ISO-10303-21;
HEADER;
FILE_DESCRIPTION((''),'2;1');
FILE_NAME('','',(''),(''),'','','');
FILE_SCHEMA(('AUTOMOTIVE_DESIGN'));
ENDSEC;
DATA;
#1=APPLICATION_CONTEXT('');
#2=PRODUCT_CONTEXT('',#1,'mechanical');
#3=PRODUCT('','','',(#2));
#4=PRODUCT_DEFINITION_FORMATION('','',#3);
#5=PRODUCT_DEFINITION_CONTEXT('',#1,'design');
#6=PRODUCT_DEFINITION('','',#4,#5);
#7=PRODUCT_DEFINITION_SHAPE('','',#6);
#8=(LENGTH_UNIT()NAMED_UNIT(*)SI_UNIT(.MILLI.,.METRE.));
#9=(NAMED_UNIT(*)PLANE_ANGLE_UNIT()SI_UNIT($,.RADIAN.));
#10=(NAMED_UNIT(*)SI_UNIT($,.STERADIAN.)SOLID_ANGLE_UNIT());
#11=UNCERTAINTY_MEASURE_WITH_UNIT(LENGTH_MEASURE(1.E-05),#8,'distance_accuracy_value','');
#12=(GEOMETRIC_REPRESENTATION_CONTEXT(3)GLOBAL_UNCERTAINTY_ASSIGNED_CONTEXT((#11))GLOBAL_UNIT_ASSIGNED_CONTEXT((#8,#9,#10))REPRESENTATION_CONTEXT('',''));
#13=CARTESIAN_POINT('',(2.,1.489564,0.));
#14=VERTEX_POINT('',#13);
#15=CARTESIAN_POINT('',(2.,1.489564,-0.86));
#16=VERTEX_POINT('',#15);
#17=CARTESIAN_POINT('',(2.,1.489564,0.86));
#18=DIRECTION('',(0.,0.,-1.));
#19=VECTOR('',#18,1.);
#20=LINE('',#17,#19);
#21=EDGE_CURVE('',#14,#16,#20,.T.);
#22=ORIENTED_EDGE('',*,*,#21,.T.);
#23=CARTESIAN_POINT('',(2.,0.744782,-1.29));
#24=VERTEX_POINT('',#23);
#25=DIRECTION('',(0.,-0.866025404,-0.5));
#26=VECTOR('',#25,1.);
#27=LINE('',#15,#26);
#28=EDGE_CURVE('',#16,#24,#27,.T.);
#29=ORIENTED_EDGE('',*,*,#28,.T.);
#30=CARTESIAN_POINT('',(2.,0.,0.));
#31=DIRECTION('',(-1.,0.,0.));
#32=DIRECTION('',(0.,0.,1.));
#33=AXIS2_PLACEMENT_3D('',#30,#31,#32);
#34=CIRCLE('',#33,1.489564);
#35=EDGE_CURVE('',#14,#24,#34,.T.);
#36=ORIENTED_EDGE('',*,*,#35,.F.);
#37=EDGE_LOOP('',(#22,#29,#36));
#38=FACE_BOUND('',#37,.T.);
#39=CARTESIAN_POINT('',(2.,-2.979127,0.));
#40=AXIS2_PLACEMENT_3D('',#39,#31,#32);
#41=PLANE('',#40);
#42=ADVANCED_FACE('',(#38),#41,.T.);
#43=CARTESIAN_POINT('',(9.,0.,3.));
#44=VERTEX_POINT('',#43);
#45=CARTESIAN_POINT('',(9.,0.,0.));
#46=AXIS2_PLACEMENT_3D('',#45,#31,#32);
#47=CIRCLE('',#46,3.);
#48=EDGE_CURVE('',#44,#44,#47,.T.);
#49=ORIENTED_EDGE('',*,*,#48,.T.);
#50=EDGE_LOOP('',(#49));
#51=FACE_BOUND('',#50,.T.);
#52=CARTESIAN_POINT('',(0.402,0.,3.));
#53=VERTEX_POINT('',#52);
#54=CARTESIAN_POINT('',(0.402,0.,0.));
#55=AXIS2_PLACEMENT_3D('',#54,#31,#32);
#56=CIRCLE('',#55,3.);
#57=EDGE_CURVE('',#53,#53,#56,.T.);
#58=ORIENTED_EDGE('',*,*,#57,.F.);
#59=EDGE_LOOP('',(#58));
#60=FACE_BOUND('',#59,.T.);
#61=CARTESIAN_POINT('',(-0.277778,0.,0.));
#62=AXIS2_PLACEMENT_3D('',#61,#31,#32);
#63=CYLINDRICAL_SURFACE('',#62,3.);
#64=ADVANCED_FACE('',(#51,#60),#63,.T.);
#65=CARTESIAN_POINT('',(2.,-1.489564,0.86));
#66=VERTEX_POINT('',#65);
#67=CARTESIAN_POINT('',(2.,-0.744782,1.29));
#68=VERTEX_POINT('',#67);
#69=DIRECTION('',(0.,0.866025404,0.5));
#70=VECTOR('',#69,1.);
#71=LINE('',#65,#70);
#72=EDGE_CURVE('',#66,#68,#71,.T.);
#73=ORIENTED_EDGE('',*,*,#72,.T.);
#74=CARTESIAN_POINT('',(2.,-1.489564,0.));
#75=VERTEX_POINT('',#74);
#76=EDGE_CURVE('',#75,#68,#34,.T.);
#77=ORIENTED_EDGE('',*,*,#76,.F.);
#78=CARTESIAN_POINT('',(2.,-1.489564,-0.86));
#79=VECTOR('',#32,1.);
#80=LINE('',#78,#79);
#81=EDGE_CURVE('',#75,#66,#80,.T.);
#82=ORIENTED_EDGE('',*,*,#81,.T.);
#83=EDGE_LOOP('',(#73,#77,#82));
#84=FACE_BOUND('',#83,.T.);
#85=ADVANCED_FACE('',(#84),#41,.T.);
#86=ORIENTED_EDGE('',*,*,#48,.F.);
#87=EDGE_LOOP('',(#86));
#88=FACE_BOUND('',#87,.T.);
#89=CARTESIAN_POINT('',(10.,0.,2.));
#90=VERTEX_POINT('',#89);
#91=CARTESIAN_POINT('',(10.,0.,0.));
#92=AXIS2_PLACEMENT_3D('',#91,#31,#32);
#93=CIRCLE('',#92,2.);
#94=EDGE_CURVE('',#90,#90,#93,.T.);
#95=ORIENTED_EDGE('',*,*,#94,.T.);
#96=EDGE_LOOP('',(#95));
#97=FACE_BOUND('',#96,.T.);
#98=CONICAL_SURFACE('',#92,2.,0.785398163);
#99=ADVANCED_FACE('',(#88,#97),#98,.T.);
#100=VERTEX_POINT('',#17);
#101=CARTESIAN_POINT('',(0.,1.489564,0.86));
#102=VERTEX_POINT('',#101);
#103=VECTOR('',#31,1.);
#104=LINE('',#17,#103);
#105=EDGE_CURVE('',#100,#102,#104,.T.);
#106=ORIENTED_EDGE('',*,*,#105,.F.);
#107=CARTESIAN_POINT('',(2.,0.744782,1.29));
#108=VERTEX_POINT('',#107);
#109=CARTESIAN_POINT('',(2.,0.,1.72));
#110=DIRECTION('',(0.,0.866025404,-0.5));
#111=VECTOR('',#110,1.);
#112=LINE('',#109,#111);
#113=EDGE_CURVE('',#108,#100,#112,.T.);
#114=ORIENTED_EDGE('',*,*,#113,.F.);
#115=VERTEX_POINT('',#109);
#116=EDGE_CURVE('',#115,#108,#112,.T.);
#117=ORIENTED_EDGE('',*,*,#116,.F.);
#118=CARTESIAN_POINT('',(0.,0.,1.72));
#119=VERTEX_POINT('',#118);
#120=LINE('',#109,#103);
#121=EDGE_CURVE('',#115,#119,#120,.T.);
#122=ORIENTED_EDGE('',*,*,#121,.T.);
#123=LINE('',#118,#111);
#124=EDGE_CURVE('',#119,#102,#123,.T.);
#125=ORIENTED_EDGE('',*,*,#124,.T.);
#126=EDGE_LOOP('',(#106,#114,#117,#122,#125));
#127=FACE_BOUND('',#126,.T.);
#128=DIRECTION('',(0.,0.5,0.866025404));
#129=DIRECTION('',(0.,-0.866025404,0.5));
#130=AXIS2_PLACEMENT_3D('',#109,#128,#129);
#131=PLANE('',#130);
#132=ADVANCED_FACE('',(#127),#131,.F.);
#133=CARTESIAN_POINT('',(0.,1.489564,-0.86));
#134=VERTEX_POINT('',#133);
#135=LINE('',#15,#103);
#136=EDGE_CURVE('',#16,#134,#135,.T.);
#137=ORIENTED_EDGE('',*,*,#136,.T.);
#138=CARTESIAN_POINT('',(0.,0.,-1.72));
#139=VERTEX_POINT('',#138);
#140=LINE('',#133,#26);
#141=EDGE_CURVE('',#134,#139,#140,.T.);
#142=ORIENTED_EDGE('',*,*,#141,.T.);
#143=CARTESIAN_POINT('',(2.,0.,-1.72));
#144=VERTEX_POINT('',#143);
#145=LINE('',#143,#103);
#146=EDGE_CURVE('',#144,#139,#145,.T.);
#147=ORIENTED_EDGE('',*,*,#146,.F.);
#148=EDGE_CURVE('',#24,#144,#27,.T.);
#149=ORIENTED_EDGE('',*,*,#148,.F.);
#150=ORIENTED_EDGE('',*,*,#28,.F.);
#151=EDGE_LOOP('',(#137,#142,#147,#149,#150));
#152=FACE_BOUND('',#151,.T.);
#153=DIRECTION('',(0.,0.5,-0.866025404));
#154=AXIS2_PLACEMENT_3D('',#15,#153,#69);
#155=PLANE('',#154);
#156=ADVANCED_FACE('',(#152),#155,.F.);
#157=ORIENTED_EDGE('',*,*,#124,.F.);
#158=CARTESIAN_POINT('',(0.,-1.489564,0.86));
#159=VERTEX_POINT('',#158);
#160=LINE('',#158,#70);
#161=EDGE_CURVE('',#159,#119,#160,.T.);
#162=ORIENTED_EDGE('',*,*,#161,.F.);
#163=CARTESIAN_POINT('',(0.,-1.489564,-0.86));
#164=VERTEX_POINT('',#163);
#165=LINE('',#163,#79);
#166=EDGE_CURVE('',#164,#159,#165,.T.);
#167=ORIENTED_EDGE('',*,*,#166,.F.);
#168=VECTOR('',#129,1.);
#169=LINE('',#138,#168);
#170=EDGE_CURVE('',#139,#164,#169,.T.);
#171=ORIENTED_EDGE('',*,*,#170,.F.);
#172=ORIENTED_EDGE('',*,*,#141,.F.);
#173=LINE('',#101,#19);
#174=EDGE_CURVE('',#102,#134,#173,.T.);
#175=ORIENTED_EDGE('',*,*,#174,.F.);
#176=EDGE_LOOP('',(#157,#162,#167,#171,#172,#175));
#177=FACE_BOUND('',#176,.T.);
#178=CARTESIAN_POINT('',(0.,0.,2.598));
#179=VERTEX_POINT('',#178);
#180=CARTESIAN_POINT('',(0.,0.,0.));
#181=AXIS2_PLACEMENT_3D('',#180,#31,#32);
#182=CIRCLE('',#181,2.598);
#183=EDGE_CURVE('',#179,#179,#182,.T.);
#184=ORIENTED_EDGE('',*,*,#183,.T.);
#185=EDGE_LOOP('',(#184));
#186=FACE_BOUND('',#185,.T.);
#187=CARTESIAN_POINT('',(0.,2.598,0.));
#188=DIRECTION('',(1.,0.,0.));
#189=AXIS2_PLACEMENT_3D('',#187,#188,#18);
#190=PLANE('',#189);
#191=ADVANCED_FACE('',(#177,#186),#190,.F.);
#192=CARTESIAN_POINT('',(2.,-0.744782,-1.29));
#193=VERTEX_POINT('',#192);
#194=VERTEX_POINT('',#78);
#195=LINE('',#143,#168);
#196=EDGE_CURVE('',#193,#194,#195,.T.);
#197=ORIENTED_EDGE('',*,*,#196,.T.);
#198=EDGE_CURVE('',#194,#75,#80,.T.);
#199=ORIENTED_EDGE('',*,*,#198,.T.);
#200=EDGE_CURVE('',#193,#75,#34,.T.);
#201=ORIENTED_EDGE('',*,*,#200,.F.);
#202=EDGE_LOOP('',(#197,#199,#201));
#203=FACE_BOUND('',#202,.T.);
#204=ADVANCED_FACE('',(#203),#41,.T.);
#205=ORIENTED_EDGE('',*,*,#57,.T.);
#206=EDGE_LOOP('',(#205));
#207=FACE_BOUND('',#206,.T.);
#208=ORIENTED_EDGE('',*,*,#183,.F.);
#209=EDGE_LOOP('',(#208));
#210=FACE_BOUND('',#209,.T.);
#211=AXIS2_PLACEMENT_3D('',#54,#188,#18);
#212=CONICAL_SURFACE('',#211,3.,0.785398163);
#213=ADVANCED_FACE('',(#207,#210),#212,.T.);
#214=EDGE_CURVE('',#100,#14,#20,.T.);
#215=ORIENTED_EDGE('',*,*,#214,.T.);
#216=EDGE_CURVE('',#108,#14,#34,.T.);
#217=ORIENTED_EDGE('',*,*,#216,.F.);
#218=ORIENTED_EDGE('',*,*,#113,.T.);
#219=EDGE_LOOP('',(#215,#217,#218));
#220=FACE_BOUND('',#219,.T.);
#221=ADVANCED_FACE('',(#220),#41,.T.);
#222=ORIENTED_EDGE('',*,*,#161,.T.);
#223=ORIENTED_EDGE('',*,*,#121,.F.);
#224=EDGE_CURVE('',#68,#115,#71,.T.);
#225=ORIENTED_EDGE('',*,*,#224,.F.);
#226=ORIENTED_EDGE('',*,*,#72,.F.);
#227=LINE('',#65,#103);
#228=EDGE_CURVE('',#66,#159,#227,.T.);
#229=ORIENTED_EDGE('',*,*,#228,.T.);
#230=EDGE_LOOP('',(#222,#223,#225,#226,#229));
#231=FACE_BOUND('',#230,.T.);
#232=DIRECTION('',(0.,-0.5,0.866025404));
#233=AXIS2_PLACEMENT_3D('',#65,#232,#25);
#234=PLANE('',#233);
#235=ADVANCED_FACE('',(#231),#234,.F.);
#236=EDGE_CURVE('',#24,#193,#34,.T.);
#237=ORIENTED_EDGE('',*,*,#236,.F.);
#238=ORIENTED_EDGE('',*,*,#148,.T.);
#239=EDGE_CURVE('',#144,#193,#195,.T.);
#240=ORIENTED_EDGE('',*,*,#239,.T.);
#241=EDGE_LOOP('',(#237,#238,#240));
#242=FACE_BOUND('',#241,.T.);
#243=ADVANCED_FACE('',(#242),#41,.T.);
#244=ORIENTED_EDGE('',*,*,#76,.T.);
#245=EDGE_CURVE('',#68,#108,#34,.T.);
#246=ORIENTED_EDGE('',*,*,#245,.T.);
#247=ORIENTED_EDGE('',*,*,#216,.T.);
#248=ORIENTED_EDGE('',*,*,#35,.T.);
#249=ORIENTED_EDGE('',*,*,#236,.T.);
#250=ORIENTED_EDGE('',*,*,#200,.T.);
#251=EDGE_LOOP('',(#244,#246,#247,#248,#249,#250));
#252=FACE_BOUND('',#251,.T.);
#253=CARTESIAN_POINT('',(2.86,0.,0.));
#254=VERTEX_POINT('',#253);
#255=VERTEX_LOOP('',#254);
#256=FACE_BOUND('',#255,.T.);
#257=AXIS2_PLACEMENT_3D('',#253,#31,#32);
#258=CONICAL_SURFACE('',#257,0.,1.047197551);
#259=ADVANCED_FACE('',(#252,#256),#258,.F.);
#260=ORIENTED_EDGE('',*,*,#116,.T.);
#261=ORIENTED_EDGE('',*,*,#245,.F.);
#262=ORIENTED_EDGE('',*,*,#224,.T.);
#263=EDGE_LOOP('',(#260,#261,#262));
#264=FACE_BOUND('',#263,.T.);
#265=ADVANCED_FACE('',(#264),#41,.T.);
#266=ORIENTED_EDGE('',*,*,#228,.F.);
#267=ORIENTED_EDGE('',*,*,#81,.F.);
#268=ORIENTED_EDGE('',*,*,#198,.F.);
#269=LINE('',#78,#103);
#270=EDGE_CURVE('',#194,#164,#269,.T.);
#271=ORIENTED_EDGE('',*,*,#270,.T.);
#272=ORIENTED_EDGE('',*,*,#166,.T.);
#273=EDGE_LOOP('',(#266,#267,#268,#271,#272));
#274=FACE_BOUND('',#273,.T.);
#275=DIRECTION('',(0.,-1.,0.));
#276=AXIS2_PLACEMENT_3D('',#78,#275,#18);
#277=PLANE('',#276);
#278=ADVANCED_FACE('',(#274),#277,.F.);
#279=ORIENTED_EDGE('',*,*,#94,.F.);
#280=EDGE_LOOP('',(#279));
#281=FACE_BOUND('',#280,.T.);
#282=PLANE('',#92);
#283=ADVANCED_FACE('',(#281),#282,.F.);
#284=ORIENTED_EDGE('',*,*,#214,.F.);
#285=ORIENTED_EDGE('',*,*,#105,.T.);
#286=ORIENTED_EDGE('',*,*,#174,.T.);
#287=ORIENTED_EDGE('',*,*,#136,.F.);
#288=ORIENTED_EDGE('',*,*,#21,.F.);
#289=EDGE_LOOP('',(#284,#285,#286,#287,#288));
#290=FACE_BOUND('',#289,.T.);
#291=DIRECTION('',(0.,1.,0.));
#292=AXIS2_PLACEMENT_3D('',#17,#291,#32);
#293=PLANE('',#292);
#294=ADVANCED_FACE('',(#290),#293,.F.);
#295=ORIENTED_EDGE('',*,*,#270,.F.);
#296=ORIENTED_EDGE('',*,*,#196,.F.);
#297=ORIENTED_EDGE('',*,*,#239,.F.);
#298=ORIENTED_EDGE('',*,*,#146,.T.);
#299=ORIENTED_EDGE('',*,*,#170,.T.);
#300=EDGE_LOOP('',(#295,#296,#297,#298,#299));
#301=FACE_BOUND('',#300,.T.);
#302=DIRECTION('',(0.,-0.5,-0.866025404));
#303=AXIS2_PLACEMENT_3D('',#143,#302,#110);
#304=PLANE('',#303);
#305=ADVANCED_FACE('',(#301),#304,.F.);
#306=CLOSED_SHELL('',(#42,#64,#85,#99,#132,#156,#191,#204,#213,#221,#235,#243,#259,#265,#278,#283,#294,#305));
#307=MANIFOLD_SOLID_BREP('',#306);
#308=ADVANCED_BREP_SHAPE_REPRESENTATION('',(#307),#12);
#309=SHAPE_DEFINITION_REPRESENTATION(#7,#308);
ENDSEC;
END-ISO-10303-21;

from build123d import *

# Parameters (mm, degrees)
CUT_EXTRUDE_1_DEPTH = 2


with BuildPart() as part:
    # 草图1 → Revolve 607 (revolve)
    with BuildSketch(Plane.XY, mode=Mode.PRIVATE) as revolve_607_sk:
        Polygon((0, 0), (10, 0), (10, 2), (9, 3), (0.402, 3), (0, 2.598), align=None)
    revolve(revolve_607_sk.sketch.rotate(Axis((-0.277777778, 0, 0), (1, 0, 0)), 90), axis=Axis((-0.277777778, 0, 0), (1, 0, 0)))

    # 草图2 → 切除-拉伸1 (cut)
    with BuildSketch(Plane.ZY):
        Polygon((-0.86, -1.489563695), (0.86, -1.489563695), (1.72, 0), (0.86, 1.489563695), (-0.86, 1.489563695), (-1.72, 0), align=None)
    extrude(amount=-CUT_EXTRUDE_1_DEPTH, mode=Mode.SUBTRACT)

    # 草图4 → 切除-旋转2 (revolve, cut)
    with BuildSketch(Plane.XY, mode=Mode.PRIVATE) as cut_revolve_2_sk:
        Polygon((2, 1.489563695), (2.86, 0), (2, 0), align=None)
    revolve(cut_revolve_2_sk.sketch.rotate(Axis((-0.277777778, 0, 0), (1, 0, 0)), 90), axis=Axis((-0.277777778, 0, 0), (1, 0, 0)), mode=Mode.SUBTRACT)


solid = part.part
